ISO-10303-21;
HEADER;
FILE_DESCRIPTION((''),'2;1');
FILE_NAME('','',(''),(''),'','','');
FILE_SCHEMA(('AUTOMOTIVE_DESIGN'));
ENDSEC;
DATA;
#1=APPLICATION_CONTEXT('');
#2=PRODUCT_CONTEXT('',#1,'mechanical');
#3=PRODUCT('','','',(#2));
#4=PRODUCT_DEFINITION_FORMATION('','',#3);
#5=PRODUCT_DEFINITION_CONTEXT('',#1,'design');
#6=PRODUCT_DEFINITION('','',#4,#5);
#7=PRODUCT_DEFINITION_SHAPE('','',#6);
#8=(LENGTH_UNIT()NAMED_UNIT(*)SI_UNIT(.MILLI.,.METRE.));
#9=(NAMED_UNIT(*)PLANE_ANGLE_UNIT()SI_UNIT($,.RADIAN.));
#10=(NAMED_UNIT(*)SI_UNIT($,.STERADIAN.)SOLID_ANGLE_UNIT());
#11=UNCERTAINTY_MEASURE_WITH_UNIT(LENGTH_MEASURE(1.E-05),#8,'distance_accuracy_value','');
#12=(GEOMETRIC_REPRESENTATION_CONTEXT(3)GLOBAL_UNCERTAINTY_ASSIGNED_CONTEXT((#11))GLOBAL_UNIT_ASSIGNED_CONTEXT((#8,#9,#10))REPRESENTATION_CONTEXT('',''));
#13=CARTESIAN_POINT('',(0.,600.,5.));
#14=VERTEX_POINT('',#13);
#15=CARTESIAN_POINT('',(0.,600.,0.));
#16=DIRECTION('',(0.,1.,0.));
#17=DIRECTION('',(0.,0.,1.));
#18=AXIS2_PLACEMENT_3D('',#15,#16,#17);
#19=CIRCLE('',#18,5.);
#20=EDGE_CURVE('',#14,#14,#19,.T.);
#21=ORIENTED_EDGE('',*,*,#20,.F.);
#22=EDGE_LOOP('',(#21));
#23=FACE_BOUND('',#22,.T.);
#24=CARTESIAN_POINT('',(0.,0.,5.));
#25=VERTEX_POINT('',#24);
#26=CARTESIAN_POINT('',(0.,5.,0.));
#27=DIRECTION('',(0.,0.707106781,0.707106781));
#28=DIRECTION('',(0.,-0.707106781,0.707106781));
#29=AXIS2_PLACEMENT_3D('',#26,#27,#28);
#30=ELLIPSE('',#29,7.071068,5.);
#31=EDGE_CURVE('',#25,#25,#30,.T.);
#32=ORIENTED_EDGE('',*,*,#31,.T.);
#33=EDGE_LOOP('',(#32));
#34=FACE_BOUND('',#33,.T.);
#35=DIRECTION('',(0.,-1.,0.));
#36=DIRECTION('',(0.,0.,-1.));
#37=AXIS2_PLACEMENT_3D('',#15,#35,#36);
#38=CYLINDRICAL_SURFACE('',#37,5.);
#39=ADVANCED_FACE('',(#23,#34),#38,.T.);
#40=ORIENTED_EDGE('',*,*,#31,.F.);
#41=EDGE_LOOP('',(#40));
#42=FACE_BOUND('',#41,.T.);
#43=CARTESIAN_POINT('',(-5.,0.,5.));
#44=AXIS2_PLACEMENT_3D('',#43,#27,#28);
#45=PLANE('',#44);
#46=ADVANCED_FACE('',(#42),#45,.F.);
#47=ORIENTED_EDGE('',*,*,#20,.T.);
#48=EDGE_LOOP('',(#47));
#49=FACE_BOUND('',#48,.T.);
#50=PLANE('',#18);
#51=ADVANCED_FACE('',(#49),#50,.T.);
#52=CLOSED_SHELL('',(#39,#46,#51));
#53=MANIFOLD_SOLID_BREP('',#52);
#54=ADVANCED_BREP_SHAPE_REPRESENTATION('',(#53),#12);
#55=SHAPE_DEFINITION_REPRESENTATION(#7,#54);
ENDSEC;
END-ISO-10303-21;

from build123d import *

# Parameters (mm, degrees)
SKETCH_1_R               = 5
EXTRUDE_1_DEPTH          = 600
CUT_EXTRUDE_1_DEPTH      = 601.04166522
CUT_EXTRUDE_1_DEPTH_BACK = 601.04166522


with BuildPart() as part:
    # 草图1 → 凸台-拉伸1 (new body)
    with BuildSketch(Plane(origin=(0, 0, 0), x_dir=(1, 0, 0), z_dir=(0, 1, 0))):
        with Locations(Location((0, 0, 0), (0, 0, 270))):
            Circle(SKETCH_1_R)
    extrude(amount=EXTRUDE_1_DEPTH)

    # 草图2 → 切除-拉伸1 (cut, two sides: drawn at the far end of the back side and taken through both)
    with BuildSketch(Plane(origin=(0, 0, 0), x_dir=(0, 0, -1), z_dir=(1, 0, 0)).offset(-CUT_EXTRUDE_1_DEPTH_BACK)):
        Polygon((-5, 0), (5, 10), (5, 0), align=None)
    extrude(amount=CUT_EXTRUDE_1_DEPTH + CUT_EXTRUDE_1_DEPTH_BACK, mode=Mode.SUBTRACT)


solid = part.part
